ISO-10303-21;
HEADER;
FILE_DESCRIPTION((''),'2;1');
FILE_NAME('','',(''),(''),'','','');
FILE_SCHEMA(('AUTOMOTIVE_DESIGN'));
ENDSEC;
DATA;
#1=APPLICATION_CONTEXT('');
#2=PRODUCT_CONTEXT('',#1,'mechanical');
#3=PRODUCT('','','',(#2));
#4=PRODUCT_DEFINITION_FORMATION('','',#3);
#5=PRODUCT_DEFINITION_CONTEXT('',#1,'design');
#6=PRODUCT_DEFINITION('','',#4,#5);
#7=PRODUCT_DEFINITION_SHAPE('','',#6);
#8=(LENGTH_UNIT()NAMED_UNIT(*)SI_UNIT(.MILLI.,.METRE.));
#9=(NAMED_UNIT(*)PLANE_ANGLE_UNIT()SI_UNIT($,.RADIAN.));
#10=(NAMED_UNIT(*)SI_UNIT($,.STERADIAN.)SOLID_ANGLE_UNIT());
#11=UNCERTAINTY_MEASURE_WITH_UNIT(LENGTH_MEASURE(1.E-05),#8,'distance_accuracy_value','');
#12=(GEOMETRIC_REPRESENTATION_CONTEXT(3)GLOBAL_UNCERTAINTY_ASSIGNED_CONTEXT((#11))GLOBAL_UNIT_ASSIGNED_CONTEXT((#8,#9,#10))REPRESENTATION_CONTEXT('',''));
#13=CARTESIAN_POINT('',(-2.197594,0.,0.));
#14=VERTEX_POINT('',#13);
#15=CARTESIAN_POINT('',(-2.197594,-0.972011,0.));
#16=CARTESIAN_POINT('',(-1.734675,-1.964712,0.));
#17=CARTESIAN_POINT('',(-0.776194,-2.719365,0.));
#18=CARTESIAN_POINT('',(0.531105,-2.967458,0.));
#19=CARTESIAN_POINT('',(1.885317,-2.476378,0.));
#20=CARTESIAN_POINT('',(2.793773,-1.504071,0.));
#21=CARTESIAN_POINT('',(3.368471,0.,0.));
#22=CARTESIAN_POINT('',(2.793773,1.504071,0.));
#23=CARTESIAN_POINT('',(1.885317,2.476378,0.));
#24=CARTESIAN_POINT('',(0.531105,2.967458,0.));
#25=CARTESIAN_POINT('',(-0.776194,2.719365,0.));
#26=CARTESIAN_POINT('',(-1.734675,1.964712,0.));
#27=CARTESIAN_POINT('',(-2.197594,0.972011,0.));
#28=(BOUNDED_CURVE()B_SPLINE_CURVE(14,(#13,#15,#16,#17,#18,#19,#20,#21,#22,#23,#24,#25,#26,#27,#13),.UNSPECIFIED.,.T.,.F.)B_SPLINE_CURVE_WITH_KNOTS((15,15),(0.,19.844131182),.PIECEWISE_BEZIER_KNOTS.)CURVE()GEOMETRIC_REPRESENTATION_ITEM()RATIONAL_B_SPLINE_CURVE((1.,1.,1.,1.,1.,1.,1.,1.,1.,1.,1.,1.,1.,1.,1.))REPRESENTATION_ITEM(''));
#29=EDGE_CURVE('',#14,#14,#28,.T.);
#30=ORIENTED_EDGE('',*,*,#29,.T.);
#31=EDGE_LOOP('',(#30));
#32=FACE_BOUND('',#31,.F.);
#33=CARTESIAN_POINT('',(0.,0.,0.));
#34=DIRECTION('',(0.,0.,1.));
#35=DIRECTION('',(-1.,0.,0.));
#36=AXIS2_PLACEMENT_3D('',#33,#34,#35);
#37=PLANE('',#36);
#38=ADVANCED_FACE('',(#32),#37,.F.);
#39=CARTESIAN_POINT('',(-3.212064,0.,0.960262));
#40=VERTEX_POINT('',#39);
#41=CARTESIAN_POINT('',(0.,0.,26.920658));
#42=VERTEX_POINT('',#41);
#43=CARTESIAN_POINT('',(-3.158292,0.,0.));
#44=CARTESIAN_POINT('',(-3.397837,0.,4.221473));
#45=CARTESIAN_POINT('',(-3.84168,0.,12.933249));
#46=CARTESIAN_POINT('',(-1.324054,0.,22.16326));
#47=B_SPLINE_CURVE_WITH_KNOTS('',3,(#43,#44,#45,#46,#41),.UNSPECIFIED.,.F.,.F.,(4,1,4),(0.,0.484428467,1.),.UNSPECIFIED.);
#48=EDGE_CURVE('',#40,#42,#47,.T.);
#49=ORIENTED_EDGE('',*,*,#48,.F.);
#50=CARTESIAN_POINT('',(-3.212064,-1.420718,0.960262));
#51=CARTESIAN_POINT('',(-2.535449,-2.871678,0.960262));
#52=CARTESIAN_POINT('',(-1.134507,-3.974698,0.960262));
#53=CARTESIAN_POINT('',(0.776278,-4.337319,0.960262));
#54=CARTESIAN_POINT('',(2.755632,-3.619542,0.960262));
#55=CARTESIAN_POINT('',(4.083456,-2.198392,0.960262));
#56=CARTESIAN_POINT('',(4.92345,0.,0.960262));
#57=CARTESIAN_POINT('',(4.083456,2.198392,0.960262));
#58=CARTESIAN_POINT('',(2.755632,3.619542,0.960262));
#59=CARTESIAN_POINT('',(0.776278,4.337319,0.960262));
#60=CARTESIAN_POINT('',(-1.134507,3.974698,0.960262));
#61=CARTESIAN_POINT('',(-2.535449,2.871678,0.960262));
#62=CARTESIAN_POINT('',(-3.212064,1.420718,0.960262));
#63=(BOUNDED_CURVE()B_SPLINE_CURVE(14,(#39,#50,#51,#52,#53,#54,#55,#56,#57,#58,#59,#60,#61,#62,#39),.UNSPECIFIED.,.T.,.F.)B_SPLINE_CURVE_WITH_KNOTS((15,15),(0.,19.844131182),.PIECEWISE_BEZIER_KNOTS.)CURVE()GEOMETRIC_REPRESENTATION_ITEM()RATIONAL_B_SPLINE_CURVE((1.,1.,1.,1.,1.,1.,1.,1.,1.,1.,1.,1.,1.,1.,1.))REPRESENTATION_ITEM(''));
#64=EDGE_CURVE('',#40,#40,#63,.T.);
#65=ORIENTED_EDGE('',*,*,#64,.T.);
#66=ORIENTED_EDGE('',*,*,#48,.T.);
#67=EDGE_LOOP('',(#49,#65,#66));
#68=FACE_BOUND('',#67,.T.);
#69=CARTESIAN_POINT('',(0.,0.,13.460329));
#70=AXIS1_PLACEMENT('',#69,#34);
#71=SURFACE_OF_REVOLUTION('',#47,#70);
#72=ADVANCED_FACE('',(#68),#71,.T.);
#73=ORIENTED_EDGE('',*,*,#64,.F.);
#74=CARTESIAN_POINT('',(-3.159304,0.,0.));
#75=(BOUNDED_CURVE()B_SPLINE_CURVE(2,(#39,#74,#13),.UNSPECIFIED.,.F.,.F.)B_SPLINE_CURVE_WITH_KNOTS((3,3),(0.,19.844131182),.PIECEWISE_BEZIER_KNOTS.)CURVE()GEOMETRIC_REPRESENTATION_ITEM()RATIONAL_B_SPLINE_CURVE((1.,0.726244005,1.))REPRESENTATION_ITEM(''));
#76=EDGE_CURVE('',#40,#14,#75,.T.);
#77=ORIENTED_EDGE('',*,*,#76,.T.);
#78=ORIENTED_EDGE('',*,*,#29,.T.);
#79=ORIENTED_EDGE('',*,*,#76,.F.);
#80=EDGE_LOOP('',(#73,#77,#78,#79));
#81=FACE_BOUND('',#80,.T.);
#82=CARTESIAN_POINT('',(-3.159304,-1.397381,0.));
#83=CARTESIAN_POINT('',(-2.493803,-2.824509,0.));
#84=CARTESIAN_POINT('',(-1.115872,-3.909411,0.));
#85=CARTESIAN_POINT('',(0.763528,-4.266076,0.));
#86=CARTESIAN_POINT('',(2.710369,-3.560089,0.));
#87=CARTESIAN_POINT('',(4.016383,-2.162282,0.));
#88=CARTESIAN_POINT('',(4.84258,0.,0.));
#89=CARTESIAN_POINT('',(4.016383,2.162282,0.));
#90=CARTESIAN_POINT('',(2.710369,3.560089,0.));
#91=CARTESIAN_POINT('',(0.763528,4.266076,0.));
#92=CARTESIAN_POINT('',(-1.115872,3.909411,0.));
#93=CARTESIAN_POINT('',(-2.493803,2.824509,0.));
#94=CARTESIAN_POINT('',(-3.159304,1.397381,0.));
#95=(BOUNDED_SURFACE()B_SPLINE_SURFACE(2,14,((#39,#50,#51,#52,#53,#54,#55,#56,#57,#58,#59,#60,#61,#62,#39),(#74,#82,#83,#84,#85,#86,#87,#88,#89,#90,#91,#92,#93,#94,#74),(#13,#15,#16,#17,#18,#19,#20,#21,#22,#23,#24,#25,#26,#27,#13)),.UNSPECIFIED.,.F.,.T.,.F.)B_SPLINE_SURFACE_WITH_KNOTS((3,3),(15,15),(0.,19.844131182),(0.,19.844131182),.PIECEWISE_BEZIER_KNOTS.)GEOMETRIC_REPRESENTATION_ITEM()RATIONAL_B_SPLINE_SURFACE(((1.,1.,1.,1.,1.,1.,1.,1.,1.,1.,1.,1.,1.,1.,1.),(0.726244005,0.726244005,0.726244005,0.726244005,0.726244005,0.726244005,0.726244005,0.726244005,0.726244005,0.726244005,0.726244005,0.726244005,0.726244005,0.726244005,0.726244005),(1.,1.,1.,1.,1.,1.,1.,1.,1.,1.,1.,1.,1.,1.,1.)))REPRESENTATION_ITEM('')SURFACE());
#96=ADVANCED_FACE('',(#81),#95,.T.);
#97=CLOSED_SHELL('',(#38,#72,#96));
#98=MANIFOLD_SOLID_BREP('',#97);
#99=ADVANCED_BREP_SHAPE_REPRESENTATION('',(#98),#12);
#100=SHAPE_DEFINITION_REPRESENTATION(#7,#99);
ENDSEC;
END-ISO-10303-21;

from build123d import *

# Parameters (mm, degrees)
F2_R = 1.016


with BuildPart() as f1:
    # F0 (on Front) → F1 (revolve)
    with BuildSketch(Plane.XZ):
        with BuildLine():
            add(Edge.make_bspline(
                [(-3.158291569, 0), (-3.397837167, 4.2214733455), (-3.8416803194, 12.9332491794), (-1.3240537502, 22.1632602317), (0, 26.9206576049)],
                knots=[0, 0, 0, 0, 0.4844284673, 1, 1, 1, 1], degree=3))
            Line((-3.158291569, 0), (0, 0))
            Line((0, 0), (0, 26.9206576049))
        make_face()
    revolve(axis=Axis((0, 0, 13.4603288025), (0, 0, 1)))

    # F2
    f2_edges = [f1.edges().sort_by_distance(p)[0] for p in [
        (3.158292, 0, 0),
    ]]
    fillet(f2_edges, radius=F2_R)


solid = f1.part
